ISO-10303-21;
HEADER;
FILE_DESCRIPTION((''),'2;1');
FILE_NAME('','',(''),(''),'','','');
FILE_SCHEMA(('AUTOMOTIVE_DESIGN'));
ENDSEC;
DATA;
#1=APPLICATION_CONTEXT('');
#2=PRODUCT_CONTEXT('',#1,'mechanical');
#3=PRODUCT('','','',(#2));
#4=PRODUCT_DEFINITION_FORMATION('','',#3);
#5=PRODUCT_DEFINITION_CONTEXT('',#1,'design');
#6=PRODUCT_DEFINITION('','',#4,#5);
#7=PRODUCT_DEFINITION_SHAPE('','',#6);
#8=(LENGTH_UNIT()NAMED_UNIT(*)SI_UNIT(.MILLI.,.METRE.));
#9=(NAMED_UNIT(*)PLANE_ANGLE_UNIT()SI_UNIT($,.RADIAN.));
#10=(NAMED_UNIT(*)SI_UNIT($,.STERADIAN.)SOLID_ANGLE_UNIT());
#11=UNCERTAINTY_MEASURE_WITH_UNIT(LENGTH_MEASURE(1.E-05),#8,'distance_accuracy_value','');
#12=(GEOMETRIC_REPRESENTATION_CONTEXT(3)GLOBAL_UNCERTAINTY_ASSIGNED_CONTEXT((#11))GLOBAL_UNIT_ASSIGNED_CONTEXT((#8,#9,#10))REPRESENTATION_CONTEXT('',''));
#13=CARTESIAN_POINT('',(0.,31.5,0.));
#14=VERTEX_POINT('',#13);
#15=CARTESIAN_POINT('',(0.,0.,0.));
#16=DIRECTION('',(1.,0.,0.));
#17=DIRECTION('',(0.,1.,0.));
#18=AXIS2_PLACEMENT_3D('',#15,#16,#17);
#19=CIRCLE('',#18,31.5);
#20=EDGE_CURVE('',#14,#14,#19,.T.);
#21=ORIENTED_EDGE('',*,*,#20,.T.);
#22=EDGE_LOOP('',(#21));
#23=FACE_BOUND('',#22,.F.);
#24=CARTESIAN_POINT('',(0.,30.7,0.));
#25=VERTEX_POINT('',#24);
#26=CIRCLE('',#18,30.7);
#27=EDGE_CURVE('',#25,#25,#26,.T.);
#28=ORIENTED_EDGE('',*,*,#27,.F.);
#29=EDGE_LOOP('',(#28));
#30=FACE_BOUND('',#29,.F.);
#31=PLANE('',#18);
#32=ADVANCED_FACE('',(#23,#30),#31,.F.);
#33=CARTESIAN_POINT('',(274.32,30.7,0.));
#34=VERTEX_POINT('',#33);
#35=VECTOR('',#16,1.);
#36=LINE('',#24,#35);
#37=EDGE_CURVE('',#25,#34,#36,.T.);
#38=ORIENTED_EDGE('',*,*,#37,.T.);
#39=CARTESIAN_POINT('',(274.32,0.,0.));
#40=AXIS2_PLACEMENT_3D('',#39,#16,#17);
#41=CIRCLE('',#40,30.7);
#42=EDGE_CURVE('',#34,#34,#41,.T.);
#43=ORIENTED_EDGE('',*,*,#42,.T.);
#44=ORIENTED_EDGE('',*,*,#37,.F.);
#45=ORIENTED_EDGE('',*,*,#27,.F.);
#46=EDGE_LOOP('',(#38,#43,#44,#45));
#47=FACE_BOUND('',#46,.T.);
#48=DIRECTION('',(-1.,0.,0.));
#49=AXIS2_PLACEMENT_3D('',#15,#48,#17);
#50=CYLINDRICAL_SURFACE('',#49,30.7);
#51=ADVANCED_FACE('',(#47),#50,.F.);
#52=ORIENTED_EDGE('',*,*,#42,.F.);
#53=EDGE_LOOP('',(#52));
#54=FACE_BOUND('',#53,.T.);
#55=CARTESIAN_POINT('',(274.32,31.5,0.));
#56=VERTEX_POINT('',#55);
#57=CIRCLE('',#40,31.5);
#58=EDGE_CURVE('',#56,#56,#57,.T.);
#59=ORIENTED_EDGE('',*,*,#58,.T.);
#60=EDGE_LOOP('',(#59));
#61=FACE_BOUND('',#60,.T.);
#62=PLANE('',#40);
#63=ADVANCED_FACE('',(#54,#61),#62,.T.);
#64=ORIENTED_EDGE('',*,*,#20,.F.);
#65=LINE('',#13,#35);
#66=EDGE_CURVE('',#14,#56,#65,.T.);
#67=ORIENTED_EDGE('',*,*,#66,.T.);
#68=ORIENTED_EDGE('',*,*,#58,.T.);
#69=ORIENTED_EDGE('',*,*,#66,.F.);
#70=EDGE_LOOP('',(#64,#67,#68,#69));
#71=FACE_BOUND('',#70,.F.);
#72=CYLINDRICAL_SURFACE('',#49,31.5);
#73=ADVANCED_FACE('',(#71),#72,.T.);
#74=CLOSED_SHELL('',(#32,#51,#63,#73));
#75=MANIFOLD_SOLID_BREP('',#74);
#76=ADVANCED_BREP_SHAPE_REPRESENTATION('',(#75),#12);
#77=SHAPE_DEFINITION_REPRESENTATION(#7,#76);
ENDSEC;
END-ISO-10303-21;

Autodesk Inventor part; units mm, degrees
ref_plane "YZ Plane" through (0, 0, 0) normal (1, 0, 0) x (0, 1, 0)
ref_plane "XZ Plane" through (0, 0, 0) normal (0, 1, 0) x (-1, 0, 0)
ref_plane "XY Plane" through (0, 0, 0) normal (0, 0, 1) x (1, 0, 0)
sketch "Sketch1" plane through (0, 0, 0) normal (1, 0, 0) x (0, 1, 0)
  circle A0 centre (0, 0) radius 31.5
  circle A1 centre (0, 0) radius 30.7
  dimension "d0" = 63
  dimension "d1" = 0.8
extrude "Extrusion1" add sketch "Sketch1" along normal blind 274.32
equation "\"d0\" = OD"
equation "\"d1\" = t"
equation "\"d2\" = L"
equation "\"OD\" = 63"
equation "\"t\" = 0.8"
equation "\"L\" = PL"
equation "\"ID\" = 61.4"
equation "\"PL\" = 274.32"
properties part number "ISO 4065 Pipe DN63x0.8xS40 - 287.02000000" material "PVC-Piping"
